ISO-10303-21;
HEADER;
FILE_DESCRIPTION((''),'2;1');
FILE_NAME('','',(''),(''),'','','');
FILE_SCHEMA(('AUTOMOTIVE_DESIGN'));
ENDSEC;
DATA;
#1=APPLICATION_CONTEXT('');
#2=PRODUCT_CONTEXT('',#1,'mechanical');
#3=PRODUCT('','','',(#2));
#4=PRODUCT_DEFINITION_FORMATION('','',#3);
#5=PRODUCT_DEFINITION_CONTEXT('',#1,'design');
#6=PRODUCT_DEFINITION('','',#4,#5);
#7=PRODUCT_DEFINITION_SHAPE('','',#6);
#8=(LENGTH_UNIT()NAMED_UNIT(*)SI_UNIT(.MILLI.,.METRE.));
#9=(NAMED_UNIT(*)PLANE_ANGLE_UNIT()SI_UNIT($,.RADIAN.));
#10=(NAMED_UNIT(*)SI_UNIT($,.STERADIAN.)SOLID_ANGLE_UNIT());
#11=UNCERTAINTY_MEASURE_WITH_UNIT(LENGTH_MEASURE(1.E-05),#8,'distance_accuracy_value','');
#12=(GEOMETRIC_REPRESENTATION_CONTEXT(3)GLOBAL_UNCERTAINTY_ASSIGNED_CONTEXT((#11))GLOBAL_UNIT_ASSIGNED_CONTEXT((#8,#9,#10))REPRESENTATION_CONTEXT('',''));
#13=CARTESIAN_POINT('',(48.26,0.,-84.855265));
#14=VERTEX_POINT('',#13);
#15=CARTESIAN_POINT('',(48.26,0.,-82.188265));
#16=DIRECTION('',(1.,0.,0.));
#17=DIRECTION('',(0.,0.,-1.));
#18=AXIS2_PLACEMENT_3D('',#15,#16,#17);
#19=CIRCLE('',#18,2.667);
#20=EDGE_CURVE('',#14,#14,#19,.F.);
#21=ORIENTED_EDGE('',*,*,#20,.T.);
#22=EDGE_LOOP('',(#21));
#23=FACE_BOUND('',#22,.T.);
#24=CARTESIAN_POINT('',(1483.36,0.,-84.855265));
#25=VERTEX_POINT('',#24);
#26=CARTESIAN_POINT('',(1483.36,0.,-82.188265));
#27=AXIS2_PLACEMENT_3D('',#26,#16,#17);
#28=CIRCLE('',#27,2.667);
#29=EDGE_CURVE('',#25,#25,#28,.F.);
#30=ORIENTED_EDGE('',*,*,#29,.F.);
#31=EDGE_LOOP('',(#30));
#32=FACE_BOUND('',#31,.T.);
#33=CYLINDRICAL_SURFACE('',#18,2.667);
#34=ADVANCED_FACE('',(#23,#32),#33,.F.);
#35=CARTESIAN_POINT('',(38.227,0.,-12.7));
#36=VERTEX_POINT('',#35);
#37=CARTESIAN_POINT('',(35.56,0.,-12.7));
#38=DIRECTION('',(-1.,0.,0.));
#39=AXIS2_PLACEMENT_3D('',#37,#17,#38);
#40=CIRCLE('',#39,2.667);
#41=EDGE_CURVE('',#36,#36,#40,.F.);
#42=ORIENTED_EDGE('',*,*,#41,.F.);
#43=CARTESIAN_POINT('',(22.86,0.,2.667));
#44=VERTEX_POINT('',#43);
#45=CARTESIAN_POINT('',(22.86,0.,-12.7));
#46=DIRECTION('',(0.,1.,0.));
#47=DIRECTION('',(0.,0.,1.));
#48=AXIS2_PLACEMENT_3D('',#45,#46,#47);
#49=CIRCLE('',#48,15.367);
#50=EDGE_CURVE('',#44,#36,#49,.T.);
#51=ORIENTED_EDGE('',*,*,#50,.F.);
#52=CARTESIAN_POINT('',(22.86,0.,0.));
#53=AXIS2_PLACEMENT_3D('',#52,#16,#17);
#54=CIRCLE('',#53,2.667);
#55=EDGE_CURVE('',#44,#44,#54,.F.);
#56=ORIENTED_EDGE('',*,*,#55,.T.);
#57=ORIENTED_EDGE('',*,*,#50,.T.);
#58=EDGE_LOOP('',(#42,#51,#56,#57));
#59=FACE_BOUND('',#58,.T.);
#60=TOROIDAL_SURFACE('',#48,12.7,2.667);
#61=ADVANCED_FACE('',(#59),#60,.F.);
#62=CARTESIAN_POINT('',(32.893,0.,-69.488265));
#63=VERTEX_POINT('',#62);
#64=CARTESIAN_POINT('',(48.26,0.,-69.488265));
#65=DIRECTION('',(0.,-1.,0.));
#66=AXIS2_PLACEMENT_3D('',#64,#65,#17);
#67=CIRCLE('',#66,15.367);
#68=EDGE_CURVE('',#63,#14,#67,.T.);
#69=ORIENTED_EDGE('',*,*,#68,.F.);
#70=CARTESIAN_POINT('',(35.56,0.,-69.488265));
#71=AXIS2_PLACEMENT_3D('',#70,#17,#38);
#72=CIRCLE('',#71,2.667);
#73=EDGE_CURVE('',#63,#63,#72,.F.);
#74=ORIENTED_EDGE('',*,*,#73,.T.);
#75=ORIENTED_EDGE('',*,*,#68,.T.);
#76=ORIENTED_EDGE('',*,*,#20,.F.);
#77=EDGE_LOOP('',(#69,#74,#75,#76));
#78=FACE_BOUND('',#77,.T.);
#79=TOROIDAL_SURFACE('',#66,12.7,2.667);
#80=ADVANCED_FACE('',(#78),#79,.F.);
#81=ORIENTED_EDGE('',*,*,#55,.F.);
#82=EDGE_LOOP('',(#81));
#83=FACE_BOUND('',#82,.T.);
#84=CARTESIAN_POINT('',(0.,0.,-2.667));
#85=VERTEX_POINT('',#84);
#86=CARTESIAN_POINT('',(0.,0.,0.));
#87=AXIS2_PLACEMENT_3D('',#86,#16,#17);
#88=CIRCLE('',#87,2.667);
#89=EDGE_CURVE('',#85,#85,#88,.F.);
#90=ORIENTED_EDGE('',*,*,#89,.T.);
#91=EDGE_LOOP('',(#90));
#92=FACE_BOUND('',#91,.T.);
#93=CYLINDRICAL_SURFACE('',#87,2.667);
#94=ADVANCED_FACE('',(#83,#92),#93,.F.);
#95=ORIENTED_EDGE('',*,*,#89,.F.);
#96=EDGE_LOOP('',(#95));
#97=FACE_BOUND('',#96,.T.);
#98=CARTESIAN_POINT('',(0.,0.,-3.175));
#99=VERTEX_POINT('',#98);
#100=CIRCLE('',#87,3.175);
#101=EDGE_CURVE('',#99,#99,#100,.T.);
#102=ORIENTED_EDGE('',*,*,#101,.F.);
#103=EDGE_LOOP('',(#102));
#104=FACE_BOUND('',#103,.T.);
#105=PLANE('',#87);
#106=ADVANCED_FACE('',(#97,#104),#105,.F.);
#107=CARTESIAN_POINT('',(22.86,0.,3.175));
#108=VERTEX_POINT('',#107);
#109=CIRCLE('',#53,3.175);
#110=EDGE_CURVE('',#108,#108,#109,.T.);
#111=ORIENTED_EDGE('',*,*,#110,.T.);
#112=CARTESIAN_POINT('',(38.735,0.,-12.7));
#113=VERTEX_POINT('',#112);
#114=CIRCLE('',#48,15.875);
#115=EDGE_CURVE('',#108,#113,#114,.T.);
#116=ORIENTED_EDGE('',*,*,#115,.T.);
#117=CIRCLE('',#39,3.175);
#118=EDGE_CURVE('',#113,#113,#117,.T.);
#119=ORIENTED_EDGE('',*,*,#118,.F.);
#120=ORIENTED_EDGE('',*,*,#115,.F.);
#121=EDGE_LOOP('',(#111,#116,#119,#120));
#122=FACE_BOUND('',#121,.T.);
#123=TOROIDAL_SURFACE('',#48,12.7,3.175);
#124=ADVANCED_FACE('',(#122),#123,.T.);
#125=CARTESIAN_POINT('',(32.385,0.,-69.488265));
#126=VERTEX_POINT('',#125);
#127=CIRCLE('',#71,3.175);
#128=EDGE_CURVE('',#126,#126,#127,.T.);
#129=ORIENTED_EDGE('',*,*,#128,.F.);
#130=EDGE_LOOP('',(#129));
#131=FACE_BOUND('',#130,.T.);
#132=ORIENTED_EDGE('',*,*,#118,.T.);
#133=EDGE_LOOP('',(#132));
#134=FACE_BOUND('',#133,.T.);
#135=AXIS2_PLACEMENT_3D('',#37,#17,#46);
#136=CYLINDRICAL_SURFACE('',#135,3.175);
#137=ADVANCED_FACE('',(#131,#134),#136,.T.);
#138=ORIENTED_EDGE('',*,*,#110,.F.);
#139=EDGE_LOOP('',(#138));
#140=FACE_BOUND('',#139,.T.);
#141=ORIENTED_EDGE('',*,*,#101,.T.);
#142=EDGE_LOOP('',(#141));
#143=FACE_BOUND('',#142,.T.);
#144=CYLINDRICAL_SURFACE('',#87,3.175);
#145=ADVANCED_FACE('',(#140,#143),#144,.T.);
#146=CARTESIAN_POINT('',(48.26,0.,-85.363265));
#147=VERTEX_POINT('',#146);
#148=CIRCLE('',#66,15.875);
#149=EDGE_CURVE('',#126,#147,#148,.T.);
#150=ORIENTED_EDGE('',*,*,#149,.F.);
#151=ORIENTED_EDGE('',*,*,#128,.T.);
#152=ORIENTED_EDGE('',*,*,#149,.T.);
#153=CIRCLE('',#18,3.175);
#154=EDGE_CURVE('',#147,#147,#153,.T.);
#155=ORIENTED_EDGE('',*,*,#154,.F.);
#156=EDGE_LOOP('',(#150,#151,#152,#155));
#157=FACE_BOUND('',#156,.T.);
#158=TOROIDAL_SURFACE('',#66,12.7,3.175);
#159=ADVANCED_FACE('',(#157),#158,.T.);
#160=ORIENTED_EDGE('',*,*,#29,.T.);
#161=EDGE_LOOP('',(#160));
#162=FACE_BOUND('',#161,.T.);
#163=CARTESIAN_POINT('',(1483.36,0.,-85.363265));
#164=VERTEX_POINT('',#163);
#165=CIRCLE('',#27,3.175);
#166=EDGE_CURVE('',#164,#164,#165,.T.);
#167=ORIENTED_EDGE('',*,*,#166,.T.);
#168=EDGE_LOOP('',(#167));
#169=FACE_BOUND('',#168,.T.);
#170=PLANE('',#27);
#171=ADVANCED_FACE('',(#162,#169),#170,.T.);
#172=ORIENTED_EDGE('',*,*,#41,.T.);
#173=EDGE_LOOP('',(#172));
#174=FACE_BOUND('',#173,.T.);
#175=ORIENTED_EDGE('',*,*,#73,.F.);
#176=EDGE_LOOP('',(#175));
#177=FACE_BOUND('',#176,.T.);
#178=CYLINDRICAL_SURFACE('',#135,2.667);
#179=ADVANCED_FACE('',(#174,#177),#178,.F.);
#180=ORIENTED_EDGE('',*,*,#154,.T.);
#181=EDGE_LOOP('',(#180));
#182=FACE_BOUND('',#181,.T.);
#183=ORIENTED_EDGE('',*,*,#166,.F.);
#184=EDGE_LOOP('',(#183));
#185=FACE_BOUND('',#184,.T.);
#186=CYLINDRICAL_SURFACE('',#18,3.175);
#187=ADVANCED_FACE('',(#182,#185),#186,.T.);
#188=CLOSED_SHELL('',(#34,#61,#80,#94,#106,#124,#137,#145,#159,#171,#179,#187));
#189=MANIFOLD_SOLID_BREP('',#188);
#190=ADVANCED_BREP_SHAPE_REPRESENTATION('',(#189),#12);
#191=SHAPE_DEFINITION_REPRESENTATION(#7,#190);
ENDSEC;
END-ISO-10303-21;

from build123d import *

# Parameters (mm, degrees)
SKETCH5_R   = 3.175
SKETCH5_R_2 = 2.667


with BuildPart() as part:
    # Sweep3: sweep along a curve in space
    with BuildLine() as sweep3_path:
        Line((0, 0, 0), (22.86, 0, 0))
        ThreePointArc((22.86, 0, 0), (31.840256121, 0, -3.719743879), (35.56, 0, -12.7))
        Line((35.56, 0, -12.7), (35.56, 0, -69.48826463))
        ThreePointArc((35.56, 0, -69.48826463), (39.279743879, 0, -78.468520751), (48.26, 0, -82.18826463))
        Line((48.26, 0, -82.18826463), (1483.36, 0, -82.18826463))
    # Sketch5 → Sweep3 (sweep)
    with BuildSketch(Plane(origin=(0, 0, 0), x_dir=(0, 0, -1), z_dir=(1, 0, 0))):
        Circle(SKETCH5_R)
        Circle(SKETCH5_R_2, mode=Mode.SUBTRACT)
    sweep(path=sweep3_path.line)


solid = part.part
